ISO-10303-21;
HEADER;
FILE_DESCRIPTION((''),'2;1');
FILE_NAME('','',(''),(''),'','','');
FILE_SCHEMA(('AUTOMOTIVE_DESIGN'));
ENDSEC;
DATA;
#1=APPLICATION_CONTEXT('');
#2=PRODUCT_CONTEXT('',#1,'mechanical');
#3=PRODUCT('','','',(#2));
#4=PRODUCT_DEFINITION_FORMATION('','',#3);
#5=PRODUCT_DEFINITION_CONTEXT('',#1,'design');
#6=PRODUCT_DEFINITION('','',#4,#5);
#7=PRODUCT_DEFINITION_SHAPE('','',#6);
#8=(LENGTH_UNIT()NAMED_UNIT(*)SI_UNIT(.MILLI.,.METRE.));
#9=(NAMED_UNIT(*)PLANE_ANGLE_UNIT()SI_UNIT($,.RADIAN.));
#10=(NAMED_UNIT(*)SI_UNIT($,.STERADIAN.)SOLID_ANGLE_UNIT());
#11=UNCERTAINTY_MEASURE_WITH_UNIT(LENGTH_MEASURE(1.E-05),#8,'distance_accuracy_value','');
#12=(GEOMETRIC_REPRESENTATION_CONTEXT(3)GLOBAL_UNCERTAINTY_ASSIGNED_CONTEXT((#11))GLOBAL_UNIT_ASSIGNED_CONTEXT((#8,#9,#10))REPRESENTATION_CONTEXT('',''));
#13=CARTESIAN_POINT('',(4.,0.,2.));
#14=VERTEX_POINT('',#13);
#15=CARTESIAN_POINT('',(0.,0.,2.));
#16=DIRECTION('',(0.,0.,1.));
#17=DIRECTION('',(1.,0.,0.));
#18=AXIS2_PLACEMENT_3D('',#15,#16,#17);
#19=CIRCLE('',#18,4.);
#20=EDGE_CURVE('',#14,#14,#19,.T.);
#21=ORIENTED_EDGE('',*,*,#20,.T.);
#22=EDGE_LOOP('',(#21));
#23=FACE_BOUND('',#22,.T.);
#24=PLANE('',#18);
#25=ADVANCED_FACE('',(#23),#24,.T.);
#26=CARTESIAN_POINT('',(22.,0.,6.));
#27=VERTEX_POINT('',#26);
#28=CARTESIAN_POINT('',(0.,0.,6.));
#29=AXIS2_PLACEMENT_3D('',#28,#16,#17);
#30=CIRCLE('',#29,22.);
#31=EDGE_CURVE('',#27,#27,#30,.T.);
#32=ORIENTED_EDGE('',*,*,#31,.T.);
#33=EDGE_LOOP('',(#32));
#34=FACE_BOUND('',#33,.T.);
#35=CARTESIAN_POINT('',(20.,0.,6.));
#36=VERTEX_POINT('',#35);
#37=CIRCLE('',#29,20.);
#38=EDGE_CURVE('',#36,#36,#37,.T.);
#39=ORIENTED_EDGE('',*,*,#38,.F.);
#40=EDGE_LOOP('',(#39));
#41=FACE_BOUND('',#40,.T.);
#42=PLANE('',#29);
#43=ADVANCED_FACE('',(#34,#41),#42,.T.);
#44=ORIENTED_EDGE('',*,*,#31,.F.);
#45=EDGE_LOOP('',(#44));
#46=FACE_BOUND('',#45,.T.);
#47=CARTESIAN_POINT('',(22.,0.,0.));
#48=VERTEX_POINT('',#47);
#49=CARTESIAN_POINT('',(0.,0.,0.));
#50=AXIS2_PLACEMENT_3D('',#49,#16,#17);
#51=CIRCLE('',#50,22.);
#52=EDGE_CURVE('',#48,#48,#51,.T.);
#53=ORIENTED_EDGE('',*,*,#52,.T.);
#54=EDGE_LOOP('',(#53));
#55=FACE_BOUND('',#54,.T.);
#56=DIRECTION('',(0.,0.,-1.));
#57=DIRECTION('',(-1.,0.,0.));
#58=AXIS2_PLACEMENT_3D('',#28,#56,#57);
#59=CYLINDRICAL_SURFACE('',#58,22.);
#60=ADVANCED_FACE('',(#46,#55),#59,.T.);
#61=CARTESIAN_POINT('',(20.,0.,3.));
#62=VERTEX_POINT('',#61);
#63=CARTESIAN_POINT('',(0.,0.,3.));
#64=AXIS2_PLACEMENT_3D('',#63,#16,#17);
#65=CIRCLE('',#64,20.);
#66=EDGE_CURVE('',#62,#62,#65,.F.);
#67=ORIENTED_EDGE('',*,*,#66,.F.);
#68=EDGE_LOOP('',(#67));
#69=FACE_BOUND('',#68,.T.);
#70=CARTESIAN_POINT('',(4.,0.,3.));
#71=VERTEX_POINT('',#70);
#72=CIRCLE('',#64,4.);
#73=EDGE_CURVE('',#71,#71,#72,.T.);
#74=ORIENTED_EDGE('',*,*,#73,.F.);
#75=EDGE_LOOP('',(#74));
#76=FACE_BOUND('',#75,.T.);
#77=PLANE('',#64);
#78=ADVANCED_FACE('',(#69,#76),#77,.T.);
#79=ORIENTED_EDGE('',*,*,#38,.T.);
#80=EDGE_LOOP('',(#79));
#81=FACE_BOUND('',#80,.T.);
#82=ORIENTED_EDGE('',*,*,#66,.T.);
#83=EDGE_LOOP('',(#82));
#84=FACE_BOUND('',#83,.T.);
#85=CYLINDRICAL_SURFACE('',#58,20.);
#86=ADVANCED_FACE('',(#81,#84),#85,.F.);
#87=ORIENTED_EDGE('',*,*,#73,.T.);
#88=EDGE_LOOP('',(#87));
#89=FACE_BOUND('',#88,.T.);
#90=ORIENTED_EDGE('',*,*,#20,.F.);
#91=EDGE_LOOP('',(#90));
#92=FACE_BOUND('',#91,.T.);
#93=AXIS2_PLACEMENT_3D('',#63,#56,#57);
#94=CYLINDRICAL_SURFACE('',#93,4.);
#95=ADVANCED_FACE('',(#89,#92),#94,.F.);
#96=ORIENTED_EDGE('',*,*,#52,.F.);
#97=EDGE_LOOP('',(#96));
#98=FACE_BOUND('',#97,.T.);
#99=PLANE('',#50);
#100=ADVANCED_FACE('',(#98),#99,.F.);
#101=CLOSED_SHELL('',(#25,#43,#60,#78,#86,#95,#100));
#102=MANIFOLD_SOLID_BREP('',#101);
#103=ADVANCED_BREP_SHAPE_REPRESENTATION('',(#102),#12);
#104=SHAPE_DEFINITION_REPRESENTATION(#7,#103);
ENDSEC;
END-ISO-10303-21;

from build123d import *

# Parameters (mm, degrees)
ESBO_O1_R                = 20
ESBO_O1_R_2              = 4
RESSALTO_EXTRUS_O3_DEPTH = 3
ESBO_O1_6_R              = 22
ESBO_O1_6_R_2            = 20
RESSALTO_EXTRUS_O4_DEPTH = 6
ESBO_O1_7_R              = 4
RESSALTO_EXTRUS_O5_DEPTH = 2


with BuildPart() as part:
    # Esboço1 → Ressalto-extrusão3 (new body)
    with BuildSketch(Plane.XY):
        Circle(ESBO_O1_R)
        Circle(ESBO_O1_R_2, mode=Mode.SUBTRACT)
    extrude(amount=RESSALTO_EXTRUS_O3_DEPTH)

    # Esboço1<6> → Ressalto-extrusão4 (add)
    with BuildSketch(Plane.XY):
        Circle(ESBO_O1_6_R)
        Circle(ESBO_O1_6_R_2, mode=Mode.SUBTRACT)
    extrude(amount=RESSALTO_EXTRUS_O4_DEPTH)

    # Esboço1<7> → Ressalto-extrusão5 (add)
    with BuildSketch(Plane.XY):
        Circle(ESBO_O1_7_R)
    extrude(amount=RESSALTO_EXTRUS_O5_DEPTH)


solid = part.part
